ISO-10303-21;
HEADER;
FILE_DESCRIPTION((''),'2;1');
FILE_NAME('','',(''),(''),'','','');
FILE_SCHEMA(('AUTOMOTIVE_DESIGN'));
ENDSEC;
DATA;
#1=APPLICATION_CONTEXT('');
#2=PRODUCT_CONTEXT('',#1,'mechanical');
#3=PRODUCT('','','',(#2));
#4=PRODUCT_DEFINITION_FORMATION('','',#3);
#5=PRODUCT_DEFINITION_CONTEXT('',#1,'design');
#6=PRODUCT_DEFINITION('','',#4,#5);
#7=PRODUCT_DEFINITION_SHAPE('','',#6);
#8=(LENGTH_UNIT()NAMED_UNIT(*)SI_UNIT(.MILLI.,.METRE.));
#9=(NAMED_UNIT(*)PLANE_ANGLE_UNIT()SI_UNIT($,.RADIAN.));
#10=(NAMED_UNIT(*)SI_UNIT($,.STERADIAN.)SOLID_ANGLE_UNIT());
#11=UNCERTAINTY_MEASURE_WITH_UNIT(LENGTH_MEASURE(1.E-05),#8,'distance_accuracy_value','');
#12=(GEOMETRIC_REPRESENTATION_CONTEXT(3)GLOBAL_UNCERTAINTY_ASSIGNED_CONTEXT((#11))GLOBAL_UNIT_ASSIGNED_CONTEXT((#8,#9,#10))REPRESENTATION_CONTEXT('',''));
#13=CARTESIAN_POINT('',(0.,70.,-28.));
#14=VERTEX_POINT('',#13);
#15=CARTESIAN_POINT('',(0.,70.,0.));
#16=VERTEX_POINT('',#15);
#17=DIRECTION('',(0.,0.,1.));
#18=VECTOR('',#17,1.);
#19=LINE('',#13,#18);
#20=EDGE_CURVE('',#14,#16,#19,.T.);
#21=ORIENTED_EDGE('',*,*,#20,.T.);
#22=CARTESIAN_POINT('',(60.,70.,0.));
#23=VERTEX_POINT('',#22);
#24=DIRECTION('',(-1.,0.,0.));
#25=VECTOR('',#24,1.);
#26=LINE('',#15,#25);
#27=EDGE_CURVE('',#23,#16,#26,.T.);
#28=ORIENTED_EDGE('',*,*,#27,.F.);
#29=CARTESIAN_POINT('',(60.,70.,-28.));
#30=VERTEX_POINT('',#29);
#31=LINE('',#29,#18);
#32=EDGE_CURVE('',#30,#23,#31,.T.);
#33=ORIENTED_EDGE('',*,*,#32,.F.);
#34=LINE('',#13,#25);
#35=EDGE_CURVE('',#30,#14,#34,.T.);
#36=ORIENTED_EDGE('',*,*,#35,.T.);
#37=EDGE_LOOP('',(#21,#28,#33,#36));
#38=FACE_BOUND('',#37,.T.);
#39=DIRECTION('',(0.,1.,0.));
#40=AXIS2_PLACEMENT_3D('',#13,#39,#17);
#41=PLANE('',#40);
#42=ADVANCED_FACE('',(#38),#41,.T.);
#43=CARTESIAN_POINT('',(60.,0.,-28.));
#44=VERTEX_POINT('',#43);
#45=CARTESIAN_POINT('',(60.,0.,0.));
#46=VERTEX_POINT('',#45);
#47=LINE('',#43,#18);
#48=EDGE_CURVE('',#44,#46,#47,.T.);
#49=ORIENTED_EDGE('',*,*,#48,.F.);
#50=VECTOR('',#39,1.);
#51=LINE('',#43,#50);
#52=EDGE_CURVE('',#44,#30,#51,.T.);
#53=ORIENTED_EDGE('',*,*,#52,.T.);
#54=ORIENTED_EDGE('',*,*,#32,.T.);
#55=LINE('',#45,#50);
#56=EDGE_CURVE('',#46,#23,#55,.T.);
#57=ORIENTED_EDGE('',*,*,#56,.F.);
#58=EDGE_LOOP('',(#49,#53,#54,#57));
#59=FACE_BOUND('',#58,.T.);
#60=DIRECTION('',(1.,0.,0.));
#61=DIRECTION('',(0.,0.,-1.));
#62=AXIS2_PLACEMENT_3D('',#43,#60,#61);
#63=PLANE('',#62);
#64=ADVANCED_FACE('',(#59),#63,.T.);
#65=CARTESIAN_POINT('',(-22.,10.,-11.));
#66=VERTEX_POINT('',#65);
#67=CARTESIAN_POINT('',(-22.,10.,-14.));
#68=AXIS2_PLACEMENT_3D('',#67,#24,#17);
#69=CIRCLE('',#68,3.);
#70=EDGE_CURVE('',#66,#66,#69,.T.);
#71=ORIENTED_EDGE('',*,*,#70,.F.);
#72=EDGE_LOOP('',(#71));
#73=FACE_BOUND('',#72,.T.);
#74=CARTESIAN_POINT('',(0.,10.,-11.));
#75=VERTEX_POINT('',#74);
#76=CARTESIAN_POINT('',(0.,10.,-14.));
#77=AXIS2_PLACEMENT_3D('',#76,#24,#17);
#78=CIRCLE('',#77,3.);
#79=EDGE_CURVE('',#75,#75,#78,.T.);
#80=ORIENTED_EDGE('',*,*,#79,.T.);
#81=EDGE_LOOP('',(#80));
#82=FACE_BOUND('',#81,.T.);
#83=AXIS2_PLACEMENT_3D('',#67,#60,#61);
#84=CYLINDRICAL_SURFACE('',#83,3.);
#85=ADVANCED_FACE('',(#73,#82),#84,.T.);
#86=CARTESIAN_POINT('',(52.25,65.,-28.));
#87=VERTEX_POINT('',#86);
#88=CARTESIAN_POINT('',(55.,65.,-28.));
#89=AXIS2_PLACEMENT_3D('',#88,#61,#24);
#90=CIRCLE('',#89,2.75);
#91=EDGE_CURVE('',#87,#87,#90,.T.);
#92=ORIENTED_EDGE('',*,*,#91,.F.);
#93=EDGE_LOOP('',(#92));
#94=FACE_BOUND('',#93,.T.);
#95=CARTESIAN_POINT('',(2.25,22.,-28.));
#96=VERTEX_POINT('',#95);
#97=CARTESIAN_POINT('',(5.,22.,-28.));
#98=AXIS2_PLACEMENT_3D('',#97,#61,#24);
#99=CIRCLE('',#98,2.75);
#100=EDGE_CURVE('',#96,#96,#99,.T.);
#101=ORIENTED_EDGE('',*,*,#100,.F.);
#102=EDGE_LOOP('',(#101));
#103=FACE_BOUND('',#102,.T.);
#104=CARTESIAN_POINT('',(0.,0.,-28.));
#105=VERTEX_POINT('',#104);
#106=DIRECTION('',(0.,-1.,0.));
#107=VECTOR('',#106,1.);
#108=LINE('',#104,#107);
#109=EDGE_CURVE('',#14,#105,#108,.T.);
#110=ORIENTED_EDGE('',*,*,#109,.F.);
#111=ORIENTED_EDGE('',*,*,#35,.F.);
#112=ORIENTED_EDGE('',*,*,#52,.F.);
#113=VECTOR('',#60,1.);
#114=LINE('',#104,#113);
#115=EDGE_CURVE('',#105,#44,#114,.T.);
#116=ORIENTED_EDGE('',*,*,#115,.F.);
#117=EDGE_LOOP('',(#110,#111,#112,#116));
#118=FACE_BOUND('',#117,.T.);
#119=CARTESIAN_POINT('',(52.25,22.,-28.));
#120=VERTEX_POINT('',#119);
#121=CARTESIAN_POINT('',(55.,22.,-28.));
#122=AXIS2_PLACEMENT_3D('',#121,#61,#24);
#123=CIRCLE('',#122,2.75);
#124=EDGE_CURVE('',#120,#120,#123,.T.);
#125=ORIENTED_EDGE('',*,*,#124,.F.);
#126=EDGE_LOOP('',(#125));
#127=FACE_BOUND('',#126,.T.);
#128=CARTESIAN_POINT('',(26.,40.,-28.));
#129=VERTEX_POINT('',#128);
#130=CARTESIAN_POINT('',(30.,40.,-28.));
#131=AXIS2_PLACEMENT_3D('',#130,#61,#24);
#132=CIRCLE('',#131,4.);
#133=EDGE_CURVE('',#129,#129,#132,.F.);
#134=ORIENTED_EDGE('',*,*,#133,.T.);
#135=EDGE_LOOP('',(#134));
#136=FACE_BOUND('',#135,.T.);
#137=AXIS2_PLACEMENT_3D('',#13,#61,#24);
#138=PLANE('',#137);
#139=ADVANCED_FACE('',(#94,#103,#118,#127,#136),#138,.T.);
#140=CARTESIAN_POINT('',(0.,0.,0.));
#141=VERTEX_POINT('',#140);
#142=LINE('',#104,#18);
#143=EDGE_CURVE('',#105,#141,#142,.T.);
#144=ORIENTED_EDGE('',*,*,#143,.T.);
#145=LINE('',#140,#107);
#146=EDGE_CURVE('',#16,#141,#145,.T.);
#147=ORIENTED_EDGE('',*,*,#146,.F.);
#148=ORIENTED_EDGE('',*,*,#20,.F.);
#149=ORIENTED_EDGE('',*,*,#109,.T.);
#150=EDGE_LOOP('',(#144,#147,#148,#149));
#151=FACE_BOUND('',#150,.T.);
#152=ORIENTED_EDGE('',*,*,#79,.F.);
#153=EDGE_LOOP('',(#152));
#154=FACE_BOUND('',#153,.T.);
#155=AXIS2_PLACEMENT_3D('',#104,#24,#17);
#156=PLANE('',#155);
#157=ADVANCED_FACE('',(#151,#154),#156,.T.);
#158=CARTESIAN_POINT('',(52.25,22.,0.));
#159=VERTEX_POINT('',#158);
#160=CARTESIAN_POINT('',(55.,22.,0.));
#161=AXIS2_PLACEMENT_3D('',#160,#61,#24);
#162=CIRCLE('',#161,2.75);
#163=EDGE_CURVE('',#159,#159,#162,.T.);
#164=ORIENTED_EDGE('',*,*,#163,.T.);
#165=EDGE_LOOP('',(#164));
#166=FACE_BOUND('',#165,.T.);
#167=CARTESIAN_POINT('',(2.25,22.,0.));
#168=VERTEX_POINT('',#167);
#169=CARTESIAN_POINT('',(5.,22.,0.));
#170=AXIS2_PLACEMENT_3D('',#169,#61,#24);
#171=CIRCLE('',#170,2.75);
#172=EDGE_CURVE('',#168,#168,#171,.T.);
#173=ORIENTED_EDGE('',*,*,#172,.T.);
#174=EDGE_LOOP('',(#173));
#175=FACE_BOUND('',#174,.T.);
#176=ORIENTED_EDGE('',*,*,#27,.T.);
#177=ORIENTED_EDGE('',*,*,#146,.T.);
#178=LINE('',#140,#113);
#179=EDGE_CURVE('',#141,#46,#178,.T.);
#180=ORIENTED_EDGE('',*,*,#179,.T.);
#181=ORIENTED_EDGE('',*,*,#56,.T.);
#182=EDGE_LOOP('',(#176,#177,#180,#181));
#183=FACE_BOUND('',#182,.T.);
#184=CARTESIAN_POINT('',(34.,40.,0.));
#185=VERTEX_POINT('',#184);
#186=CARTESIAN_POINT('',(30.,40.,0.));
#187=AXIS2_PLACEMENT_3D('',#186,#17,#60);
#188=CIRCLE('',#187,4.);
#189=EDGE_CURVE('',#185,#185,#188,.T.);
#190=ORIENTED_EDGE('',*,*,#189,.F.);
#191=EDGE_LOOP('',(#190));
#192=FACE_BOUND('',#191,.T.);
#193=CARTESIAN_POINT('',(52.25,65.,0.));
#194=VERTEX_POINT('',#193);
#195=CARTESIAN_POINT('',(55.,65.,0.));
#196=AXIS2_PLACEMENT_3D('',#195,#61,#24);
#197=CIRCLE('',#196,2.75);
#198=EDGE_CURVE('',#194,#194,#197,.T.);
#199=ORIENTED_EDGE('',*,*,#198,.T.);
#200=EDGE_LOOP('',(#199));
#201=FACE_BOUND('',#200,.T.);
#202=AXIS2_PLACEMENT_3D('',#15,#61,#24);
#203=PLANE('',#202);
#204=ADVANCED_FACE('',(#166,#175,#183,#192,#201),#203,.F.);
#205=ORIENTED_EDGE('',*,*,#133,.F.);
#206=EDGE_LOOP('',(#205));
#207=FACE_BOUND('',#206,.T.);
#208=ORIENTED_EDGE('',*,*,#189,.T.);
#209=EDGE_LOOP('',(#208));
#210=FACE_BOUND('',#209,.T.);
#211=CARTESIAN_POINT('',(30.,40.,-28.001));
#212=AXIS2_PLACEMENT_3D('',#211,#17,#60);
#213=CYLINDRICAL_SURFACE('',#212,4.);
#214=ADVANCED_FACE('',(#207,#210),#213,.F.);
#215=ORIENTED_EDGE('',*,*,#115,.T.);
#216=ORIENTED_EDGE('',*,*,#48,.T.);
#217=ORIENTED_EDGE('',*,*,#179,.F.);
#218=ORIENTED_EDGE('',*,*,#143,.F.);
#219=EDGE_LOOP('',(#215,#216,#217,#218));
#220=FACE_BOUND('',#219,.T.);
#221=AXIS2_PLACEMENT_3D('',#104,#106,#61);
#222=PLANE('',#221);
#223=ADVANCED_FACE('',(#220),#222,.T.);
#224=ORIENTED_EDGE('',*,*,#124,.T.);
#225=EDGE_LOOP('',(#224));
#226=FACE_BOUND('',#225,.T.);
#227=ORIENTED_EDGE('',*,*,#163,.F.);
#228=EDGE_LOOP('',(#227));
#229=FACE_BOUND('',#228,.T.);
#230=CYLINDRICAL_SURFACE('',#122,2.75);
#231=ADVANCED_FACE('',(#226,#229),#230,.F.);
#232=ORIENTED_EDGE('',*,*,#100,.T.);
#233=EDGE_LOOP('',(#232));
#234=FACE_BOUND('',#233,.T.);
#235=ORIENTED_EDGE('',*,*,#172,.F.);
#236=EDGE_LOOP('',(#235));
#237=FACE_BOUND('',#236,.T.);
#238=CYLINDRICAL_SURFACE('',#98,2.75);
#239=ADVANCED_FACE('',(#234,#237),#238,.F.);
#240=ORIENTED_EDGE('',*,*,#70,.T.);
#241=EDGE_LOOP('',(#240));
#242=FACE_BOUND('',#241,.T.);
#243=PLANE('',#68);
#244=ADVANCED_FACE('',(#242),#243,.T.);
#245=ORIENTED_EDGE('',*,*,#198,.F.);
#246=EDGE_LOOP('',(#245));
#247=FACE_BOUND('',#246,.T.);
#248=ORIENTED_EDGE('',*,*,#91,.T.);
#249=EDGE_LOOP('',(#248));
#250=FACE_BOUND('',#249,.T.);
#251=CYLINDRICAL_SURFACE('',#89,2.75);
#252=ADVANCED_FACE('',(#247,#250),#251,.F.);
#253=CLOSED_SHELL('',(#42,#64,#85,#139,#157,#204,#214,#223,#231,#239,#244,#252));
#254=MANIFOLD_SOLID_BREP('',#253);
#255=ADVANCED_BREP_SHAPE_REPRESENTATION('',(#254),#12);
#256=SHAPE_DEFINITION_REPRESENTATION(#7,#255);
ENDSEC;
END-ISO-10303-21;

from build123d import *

# Parameters (mm, degrees)
ESQUISSE1_W      = 60
ESQUISSE1_H      = 70
EXTRUSION1_DEPTH = 28
ESQUISSE2_R      = 3
EXTRUSION2_DEPTH = 22
EXTRUSION3_REACH = 98.354
ESQUISSE3_R      = 4
D_GAGEMENT_M51_D = 5.5


with BuildPart() as part:
    # Esquisse1 → Extrusion1 (new body)
    with BuildSketch(Plane.XY):
        with Locations((30, 35)):
            Rectangle(ESQUISSE1_W, ESQUISSE1_H)
    extrude(amount=-EXTRUSION1_DEPTH)

    # Esquisse2 → Extrusion2 (add)
    with BuildSketch(Plane.ZY):
        with Locations((-14, 10)):
            Circle(ESQUISSE2_R)
    extrude(amount=EXTRUSION2_DEPTH)

    # Esquisse3 → Extrusion3 (cut, up to next)
    with BuildSketch(Plane.XY, mode=Mode.PRIVATE) as extrusion3_sk1:
        with Locations((30, 40)):
            Circle(ESQUISSE3_R)
    extrusion3_tool1 = extrude(extrusion3_sk1.sketch, amount=-EXTRUSION3_REACH, mode=Mode.PRIVATE) & part.part
    add(extrusion3_tool1.solids().sort_by_distance((30, 40, 0))[0], mode=Mode.SUBTRACT)

    # Dégagement M51 (through all)
    with Locations(Plane(origin=(55, 22, -28), x_dir=(-1, 0, 0), z_dir=(0, 0, -1))):
        with Locations((0, 0), (0, 43), (50, 0)):
            Hole(D_GAGEMENT_M51_D / 2)


solid = part.part
